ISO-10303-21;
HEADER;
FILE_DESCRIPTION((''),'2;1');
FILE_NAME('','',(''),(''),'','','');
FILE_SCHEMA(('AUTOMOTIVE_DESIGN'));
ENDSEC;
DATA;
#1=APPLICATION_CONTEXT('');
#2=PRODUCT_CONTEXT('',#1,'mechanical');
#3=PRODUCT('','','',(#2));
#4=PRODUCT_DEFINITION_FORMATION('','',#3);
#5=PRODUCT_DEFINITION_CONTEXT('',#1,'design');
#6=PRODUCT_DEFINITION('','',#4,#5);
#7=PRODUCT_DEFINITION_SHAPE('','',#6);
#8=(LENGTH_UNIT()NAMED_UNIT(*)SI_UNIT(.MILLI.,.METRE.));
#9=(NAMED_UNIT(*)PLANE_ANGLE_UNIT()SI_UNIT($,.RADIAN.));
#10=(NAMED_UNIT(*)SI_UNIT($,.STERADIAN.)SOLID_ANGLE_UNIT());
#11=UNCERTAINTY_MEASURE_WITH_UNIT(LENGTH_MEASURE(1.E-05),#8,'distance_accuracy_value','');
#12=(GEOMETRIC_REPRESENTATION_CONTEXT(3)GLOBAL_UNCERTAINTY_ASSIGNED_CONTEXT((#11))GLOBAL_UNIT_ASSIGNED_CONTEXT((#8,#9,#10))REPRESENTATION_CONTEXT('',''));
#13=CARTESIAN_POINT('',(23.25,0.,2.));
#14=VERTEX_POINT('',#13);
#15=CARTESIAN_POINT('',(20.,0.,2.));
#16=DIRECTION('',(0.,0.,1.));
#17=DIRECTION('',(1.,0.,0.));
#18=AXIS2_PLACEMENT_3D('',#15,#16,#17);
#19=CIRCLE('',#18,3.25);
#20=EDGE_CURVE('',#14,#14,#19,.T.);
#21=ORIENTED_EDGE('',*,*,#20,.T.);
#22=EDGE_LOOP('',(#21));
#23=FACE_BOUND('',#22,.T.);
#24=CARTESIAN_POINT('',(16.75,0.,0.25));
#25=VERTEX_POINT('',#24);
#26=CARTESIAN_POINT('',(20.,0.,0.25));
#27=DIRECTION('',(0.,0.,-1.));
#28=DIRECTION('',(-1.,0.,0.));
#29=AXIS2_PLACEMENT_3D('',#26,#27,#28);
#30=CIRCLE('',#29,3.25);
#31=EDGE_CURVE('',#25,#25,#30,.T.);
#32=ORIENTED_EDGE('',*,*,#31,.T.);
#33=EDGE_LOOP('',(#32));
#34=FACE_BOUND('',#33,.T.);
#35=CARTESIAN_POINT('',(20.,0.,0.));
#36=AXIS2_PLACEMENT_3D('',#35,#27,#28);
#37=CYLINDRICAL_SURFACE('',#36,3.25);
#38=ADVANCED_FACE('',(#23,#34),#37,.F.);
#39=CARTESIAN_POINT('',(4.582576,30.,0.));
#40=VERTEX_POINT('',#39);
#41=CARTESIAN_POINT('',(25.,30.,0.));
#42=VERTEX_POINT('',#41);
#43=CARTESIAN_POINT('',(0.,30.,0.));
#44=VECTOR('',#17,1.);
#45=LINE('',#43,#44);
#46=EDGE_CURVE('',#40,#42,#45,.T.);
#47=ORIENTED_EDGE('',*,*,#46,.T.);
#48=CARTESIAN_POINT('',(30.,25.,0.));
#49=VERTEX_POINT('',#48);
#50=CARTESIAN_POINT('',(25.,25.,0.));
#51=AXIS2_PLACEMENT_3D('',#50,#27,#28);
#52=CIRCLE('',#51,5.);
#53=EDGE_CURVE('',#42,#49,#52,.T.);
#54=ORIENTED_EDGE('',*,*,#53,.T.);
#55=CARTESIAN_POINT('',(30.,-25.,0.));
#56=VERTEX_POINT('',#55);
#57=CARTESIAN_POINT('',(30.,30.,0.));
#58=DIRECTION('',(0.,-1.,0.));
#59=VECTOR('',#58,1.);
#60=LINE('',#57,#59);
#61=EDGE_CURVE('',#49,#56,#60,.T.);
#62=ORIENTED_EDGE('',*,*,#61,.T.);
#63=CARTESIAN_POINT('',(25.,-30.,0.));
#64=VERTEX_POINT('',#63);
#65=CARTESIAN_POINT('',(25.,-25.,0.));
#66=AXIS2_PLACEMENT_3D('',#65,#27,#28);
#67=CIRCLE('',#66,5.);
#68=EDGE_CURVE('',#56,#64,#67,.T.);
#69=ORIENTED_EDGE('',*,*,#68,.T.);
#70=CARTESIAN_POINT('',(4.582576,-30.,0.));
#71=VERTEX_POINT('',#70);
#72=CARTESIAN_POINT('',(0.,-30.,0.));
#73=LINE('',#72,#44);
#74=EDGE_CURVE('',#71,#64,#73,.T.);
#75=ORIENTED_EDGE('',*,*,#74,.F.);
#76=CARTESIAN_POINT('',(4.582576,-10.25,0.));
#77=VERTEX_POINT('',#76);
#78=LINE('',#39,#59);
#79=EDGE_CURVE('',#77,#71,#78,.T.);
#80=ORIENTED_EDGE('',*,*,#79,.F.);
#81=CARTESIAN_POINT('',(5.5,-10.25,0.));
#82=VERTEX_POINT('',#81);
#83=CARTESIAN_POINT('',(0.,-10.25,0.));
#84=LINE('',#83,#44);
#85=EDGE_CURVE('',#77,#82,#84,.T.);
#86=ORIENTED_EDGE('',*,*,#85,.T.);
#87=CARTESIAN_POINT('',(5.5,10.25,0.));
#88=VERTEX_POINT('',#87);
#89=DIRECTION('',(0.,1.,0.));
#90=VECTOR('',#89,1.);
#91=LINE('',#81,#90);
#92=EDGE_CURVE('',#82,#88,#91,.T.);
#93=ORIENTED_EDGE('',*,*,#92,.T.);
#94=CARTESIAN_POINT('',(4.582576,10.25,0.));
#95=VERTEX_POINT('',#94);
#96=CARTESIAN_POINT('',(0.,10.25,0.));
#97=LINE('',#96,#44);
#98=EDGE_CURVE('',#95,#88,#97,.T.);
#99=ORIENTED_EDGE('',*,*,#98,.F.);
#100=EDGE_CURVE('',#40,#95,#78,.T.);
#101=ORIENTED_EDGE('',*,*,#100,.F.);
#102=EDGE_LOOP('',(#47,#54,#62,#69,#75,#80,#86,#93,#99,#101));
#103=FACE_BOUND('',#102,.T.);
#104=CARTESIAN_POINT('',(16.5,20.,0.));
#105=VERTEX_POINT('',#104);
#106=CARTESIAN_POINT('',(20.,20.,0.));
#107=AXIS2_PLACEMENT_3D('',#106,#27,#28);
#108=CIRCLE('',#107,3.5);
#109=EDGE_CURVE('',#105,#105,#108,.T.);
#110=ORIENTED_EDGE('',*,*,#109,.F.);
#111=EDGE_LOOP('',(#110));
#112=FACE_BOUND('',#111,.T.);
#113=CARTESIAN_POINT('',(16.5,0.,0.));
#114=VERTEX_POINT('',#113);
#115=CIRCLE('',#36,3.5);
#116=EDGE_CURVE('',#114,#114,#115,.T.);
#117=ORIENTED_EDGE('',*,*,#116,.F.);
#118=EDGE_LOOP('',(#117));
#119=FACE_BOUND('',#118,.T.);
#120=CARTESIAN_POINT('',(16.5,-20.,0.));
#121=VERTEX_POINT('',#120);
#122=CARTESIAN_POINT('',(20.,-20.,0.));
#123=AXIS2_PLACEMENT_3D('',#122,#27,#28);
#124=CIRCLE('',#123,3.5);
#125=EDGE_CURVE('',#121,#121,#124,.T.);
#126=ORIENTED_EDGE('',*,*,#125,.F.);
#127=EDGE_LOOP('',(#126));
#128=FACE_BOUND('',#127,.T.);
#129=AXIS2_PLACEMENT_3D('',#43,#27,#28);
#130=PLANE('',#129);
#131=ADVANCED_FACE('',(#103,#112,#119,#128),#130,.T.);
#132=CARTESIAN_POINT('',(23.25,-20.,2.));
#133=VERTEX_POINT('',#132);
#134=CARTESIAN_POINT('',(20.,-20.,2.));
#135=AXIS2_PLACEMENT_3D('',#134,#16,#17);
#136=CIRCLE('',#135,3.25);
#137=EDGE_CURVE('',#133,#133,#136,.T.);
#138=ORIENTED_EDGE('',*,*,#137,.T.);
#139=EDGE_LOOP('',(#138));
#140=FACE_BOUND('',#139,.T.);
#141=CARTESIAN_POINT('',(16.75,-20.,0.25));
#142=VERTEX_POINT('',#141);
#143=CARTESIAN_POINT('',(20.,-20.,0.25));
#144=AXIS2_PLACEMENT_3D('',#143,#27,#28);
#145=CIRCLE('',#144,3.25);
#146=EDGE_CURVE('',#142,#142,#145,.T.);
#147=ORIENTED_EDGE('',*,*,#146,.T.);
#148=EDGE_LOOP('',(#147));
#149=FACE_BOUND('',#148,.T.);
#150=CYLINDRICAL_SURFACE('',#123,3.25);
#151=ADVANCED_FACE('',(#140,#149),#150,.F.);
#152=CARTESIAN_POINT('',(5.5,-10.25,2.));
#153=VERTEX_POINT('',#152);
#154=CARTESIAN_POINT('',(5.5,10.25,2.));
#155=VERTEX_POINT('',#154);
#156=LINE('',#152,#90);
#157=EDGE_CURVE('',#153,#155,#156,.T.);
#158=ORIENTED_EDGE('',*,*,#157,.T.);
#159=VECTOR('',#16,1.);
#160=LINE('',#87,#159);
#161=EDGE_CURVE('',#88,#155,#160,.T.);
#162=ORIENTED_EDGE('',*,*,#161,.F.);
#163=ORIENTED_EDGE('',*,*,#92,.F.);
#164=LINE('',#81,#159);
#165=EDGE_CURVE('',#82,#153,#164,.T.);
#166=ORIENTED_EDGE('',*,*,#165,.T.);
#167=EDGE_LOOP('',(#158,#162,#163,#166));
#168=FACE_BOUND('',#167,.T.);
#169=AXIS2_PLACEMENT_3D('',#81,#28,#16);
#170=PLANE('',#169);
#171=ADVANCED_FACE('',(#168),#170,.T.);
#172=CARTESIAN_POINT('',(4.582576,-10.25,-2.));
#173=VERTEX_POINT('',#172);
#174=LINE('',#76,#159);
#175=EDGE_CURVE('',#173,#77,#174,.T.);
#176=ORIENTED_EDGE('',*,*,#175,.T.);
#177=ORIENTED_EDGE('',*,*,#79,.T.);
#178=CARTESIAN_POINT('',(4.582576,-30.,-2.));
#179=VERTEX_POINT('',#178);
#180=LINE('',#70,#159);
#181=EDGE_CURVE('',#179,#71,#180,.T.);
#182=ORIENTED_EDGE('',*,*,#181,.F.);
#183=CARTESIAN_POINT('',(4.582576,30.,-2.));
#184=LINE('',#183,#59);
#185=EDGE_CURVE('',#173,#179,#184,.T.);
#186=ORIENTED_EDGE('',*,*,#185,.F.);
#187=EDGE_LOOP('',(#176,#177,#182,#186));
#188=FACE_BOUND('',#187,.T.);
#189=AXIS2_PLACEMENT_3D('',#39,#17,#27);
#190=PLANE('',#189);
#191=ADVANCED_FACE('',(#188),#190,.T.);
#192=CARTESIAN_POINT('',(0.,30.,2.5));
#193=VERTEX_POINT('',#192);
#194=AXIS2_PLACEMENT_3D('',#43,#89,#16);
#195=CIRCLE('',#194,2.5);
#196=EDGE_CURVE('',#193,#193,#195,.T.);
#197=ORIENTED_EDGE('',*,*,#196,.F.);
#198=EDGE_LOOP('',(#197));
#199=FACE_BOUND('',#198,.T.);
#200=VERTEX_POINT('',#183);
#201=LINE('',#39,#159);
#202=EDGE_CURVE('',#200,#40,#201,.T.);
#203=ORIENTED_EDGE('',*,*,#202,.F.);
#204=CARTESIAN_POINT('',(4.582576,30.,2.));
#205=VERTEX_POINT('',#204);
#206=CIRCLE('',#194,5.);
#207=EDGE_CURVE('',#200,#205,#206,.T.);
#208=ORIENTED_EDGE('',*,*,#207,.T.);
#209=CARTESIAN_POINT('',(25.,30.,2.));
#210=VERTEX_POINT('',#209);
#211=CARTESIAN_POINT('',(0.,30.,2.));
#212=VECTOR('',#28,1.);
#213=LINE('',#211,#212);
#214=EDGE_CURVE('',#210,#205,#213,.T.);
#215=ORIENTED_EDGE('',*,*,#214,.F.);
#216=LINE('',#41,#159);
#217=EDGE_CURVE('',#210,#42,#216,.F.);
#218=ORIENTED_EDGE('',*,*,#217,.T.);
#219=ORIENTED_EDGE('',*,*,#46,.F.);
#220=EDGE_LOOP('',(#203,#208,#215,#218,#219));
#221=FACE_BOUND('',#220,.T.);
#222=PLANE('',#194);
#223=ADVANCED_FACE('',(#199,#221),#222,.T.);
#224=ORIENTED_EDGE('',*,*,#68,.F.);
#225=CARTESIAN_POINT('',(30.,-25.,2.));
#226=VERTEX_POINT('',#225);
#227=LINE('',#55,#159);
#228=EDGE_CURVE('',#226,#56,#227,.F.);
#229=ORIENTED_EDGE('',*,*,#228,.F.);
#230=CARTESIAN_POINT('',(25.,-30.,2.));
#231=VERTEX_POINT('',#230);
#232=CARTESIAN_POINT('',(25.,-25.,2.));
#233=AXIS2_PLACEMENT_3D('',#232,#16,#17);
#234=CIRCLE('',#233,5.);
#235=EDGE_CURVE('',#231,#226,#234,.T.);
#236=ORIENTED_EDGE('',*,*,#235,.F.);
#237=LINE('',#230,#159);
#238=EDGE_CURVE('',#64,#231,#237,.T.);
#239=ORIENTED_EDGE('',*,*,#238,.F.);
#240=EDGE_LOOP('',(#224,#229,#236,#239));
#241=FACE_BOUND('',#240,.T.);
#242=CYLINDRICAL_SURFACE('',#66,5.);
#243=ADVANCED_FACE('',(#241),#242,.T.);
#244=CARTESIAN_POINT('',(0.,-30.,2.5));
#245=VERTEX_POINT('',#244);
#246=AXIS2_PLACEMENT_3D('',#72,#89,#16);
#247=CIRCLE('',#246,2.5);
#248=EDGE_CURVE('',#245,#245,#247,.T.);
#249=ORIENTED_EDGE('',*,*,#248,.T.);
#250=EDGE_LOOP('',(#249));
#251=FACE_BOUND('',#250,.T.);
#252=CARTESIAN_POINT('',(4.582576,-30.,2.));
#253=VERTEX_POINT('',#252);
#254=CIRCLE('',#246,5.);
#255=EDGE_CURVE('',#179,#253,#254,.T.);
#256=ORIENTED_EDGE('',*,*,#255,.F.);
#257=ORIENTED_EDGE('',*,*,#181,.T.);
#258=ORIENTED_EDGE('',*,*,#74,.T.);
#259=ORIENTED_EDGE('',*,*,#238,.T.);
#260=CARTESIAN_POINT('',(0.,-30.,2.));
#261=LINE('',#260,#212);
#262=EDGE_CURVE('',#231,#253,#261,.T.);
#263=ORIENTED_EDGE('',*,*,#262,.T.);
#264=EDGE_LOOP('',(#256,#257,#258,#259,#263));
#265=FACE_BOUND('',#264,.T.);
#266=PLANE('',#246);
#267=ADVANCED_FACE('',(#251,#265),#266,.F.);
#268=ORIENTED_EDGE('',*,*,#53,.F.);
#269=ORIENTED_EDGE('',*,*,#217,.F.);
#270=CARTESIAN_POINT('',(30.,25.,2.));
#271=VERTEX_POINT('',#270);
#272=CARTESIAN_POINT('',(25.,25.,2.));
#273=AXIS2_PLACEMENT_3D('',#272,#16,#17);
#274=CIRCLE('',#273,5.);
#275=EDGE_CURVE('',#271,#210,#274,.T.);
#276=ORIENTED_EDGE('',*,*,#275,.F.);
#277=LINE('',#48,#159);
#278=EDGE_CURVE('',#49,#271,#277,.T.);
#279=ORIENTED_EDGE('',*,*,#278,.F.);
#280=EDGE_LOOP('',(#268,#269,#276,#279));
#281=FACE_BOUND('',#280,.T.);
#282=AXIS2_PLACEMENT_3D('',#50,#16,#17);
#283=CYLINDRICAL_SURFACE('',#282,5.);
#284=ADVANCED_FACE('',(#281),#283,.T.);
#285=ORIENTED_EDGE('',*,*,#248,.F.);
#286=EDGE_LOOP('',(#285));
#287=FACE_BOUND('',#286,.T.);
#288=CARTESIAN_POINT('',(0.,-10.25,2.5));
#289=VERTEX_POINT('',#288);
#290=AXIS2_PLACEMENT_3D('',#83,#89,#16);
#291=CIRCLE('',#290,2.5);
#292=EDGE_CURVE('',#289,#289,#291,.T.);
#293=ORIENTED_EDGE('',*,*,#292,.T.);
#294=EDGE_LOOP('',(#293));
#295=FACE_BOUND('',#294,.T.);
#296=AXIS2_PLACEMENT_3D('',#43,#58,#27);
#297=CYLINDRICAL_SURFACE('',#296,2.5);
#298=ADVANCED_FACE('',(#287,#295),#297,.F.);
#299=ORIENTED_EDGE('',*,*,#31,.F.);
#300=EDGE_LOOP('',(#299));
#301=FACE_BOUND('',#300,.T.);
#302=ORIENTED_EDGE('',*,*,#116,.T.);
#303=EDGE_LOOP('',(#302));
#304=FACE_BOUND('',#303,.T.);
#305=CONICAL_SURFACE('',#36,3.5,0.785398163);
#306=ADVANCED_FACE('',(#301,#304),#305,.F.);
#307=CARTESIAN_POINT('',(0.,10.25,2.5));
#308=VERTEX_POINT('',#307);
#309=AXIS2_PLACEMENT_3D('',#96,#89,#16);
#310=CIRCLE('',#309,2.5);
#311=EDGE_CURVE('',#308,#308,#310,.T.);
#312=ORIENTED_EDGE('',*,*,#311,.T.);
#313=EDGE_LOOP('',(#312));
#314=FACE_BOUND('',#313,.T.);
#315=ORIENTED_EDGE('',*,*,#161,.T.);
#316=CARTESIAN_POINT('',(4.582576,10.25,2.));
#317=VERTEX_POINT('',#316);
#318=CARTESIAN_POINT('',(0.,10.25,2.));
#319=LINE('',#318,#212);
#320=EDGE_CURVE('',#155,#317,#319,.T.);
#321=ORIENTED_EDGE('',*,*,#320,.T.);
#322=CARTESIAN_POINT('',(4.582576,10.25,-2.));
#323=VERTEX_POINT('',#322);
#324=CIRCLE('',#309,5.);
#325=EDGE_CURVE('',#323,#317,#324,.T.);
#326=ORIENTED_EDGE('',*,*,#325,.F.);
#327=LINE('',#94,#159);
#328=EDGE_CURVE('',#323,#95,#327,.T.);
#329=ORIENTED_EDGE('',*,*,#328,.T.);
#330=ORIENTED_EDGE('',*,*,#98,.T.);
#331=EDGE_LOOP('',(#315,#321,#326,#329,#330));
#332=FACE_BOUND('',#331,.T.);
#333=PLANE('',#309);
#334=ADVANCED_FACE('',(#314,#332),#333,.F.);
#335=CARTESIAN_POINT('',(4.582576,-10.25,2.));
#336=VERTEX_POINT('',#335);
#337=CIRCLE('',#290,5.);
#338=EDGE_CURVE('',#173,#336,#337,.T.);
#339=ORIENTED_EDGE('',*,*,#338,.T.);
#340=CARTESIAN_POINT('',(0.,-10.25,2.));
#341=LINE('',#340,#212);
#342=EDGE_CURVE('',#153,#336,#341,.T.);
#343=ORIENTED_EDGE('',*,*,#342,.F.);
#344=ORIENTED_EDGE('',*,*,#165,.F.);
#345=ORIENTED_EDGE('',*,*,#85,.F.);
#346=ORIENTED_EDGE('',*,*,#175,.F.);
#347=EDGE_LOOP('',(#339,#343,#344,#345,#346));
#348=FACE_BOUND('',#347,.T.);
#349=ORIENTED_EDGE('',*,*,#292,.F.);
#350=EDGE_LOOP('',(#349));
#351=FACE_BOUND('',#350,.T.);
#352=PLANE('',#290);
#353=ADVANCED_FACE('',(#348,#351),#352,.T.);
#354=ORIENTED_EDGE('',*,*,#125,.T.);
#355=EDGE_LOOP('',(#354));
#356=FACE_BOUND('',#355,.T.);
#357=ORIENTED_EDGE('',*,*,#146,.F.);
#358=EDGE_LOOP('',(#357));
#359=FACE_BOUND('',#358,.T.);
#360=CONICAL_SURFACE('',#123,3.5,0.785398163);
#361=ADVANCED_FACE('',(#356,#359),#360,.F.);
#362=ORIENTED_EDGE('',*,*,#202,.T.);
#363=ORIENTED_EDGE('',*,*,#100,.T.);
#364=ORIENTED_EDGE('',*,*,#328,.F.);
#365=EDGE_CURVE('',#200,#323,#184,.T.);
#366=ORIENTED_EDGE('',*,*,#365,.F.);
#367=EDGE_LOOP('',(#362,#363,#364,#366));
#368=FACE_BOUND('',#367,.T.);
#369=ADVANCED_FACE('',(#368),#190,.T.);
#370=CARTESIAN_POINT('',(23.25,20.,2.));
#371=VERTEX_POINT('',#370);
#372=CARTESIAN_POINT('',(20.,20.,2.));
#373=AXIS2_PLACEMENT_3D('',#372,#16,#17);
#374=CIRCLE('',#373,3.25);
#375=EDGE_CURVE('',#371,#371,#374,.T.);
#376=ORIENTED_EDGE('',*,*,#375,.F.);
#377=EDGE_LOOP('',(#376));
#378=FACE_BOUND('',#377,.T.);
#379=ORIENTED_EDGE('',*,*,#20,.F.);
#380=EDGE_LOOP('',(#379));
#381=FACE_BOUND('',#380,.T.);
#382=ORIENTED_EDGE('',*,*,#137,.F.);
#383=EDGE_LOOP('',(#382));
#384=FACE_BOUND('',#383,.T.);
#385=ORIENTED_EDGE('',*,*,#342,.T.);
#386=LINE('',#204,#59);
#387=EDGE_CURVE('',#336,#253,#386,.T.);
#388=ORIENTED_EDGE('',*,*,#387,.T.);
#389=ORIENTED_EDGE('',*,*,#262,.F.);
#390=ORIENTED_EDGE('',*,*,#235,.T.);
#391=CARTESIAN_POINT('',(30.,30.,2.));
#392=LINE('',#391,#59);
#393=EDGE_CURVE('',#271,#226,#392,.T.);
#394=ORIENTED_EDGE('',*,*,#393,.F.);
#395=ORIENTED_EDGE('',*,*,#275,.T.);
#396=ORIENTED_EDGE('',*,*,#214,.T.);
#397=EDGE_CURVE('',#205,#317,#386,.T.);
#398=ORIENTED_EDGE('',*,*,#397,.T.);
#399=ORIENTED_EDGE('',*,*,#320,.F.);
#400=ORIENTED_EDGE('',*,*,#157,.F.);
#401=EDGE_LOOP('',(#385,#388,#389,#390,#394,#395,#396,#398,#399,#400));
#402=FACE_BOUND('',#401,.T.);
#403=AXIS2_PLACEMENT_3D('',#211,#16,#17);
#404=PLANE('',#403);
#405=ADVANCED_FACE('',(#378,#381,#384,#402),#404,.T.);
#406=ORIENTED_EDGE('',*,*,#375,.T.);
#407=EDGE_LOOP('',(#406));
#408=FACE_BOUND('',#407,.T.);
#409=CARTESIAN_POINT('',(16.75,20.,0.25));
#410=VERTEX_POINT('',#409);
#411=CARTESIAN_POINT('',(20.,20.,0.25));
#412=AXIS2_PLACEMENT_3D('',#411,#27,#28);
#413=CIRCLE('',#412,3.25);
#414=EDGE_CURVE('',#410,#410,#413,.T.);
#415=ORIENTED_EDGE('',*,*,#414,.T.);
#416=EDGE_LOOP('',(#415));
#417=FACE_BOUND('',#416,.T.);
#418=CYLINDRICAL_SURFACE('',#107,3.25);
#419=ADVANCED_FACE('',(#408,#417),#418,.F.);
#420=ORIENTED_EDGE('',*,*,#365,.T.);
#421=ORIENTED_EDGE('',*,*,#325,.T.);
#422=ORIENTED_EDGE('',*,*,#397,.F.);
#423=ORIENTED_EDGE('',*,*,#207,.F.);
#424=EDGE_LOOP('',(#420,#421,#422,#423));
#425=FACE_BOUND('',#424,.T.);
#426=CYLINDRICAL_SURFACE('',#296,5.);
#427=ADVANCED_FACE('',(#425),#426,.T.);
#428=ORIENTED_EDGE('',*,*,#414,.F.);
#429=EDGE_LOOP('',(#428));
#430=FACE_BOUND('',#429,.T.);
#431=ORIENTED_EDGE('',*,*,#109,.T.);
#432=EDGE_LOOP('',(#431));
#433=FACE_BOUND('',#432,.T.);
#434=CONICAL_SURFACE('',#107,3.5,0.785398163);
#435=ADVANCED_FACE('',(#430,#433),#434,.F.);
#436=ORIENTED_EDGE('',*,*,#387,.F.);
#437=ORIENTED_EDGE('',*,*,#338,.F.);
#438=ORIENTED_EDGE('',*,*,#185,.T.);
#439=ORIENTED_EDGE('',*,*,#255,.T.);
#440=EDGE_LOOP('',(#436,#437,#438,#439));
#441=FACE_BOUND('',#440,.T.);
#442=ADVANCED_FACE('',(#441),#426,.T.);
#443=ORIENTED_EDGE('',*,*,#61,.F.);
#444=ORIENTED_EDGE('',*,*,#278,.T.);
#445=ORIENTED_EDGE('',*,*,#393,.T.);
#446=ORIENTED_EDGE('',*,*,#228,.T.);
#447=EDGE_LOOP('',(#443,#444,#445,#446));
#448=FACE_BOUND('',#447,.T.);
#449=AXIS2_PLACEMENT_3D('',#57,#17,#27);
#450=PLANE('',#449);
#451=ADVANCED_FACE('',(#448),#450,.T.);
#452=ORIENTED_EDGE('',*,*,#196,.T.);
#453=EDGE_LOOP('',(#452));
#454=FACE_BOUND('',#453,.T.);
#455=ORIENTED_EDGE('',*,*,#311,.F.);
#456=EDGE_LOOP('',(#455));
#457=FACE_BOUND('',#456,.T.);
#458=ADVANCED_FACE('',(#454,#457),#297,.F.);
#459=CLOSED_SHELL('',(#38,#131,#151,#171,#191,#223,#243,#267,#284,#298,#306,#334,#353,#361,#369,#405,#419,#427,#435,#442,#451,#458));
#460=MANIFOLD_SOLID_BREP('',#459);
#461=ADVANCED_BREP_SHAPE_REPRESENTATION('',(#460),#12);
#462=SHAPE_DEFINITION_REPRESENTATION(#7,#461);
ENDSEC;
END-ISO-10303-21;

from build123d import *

# Parameters (mm, degrees)
SKETCH1_R                            = 2.5
BOSS_EXTRUDE1_DEPTH                  = 30
SKETCH1_3_R                          = 2.5
CUT_EXTRUDE1_DEPTH                   = 10.25
F_6_5_6_5_DIAMETER_HOLE1_D           = 6.5
F_6_5_6_5_DIAMETER_HOLE1_CSINK_D     = 7
F_6_5_6_5_DIAMETER_HOLE1_CSINK_ANGLE = 90
FILLET1_R                            = 5


with BuildPart() as part:
    # Sketch1 → Boss-Extrude1 (new, symmetric)
    with BuildSketch(Plane(origin=(0, 0, 0), x_dir=(1, 0, 0), z_dir=(0, 1, 0))):
        with BuildLine():
            Line((4.582575695, 0), (4.582575695, 2))
            ThreePointArc((4.582575695, 2), (-5, 0), (4.582575695, -2))
            Line((4.582575695, -2), (30, -2))
            Line((30, -2), (30, 0))
            Line((30, 0), (4.582575695, 0))
        make_face()
        Circle(SKETCH1_R, mode=Mode.SUBTRACT)
    extrude(amount=BOSS_EXTRUDE1_DEPTH, both=True)

    # Sketch1<3> → Cut-Extrude1 (cut, symmetric)
    with BuildSketch(Plane(origin=(0, 0, 0), x_dir=(1, 0, 0), z_dir=(0, 1, 0))):
        with BuildLine():
            Line((4.582575695, -2), (5.5, -2))
            Line((5.5, -2), (5.5, 0))
            Line((5.5, 0), (4.582575695, 0))
            Line((4.582575695, 0), (4.582575695, 2))
            ThreePointArc((4.582575695, 2), (-5, 0), (4.582575695, -2))
        make_face()
        Circle(SKETCH1_3_R, mode=Mode.SUBTRACT)
    extrude(amount=CUT_EXTRUDE1_DEPTH, both=True, mode=Mode.SUBTRACT)

    # Ø6.5 (6.5) Diameter Hole1 (through all)
    with Locations(Plane(origin=(0, 0, 0), x_dir=(-1, 0, 0), z_dir=(0, 0, -1))):
        with Locations((-20, -20), (-20, 0), (-20, 20)):
            CounterSinkHole(F_6_5_6_5_DIAMETER_HOLE1_D / 2, F_6_5_6_5_DIAMETER_HOLE1_CSINK_D / 2, counter_sink_angle=F_6_5_6_5_DIAMETER_HOLE1_CSINK_ANGLE)

    # Fillet1
    fillet1_edges = [part.edges().sort_by_distance(p)[0] for p in [
        (30, 30, 1),
        (30, -30, 1),
    ]]
    fillet(fillet1_edges, radius=FILLET1_R)


solid = part.part
